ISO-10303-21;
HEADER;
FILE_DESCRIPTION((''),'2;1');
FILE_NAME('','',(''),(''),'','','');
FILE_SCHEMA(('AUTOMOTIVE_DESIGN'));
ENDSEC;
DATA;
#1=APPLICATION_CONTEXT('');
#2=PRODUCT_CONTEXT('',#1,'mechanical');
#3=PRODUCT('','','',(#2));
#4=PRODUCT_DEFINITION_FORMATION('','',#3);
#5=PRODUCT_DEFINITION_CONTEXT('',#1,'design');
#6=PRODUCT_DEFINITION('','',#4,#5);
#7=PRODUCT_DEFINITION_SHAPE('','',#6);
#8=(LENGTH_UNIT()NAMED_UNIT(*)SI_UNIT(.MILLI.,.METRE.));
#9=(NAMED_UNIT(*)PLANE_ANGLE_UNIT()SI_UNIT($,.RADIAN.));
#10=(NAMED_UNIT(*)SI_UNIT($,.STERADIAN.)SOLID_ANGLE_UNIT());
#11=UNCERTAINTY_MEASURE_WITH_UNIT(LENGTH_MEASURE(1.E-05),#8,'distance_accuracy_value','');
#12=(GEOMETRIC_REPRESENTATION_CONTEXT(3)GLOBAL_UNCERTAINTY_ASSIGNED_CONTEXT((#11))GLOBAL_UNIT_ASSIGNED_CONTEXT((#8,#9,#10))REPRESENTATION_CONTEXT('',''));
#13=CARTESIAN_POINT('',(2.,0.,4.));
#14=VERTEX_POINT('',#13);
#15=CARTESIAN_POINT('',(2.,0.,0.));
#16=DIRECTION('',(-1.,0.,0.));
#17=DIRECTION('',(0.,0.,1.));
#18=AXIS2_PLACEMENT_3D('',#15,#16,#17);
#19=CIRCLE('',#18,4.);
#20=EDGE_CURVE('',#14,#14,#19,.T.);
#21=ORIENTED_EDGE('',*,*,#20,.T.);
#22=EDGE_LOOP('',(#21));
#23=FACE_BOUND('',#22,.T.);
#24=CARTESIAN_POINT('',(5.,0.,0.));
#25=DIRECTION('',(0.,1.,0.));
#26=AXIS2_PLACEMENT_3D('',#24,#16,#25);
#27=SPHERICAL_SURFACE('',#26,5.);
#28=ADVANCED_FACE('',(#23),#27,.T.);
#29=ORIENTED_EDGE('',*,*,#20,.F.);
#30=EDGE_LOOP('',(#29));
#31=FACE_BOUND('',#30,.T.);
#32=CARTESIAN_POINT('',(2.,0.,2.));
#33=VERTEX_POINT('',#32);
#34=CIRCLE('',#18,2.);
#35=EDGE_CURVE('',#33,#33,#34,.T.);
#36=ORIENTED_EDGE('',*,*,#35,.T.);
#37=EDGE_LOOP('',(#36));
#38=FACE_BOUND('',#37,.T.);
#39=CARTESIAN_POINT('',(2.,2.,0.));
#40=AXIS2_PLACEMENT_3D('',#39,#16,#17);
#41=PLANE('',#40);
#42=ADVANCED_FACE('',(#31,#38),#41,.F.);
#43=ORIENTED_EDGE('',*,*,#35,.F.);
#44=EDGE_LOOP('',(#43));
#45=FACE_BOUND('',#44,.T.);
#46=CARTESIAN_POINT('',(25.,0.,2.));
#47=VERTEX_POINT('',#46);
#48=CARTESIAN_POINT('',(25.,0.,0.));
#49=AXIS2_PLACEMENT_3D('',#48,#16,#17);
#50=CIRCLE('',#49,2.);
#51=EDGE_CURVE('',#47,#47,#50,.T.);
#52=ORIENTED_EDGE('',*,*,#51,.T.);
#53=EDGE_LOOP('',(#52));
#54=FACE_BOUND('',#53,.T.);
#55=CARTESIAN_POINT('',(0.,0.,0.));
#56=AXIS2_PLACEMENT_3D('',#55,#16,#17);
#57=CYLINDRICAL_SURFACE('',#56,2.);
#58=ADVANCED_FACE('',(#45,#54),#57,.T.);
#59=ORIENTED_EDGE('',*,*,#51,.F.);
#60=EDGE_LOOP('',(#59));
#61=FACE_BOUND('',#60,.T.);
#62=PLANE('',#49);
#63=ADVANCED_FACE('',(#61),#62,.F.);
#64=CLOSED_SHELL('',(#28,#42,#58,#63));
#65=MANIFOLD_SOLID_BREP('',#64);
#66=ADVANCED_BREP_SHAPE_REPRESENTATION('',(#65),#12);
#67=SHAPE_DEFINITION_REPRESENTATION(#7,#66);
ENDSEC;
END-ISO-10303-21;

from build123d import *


with BuildPart() as part:
    # Sketch1 → Revolve1 (revolve)
    with BuildSketch(Plane.XY):
        with BuildLine():
            Line((0, 0), (25, 0))
            Line((25, 0), (25, 2))
            Line((25, 2), (2, 2))
            Line((2, 2), (2, 4))
            ThreePointArc((2, 4), (0.527864045, 2.236067977), (0, 0))
        make_face()
    revolve(axis=Axis((0, 0, 0), (1, 0, 0)))


solid = part.part
